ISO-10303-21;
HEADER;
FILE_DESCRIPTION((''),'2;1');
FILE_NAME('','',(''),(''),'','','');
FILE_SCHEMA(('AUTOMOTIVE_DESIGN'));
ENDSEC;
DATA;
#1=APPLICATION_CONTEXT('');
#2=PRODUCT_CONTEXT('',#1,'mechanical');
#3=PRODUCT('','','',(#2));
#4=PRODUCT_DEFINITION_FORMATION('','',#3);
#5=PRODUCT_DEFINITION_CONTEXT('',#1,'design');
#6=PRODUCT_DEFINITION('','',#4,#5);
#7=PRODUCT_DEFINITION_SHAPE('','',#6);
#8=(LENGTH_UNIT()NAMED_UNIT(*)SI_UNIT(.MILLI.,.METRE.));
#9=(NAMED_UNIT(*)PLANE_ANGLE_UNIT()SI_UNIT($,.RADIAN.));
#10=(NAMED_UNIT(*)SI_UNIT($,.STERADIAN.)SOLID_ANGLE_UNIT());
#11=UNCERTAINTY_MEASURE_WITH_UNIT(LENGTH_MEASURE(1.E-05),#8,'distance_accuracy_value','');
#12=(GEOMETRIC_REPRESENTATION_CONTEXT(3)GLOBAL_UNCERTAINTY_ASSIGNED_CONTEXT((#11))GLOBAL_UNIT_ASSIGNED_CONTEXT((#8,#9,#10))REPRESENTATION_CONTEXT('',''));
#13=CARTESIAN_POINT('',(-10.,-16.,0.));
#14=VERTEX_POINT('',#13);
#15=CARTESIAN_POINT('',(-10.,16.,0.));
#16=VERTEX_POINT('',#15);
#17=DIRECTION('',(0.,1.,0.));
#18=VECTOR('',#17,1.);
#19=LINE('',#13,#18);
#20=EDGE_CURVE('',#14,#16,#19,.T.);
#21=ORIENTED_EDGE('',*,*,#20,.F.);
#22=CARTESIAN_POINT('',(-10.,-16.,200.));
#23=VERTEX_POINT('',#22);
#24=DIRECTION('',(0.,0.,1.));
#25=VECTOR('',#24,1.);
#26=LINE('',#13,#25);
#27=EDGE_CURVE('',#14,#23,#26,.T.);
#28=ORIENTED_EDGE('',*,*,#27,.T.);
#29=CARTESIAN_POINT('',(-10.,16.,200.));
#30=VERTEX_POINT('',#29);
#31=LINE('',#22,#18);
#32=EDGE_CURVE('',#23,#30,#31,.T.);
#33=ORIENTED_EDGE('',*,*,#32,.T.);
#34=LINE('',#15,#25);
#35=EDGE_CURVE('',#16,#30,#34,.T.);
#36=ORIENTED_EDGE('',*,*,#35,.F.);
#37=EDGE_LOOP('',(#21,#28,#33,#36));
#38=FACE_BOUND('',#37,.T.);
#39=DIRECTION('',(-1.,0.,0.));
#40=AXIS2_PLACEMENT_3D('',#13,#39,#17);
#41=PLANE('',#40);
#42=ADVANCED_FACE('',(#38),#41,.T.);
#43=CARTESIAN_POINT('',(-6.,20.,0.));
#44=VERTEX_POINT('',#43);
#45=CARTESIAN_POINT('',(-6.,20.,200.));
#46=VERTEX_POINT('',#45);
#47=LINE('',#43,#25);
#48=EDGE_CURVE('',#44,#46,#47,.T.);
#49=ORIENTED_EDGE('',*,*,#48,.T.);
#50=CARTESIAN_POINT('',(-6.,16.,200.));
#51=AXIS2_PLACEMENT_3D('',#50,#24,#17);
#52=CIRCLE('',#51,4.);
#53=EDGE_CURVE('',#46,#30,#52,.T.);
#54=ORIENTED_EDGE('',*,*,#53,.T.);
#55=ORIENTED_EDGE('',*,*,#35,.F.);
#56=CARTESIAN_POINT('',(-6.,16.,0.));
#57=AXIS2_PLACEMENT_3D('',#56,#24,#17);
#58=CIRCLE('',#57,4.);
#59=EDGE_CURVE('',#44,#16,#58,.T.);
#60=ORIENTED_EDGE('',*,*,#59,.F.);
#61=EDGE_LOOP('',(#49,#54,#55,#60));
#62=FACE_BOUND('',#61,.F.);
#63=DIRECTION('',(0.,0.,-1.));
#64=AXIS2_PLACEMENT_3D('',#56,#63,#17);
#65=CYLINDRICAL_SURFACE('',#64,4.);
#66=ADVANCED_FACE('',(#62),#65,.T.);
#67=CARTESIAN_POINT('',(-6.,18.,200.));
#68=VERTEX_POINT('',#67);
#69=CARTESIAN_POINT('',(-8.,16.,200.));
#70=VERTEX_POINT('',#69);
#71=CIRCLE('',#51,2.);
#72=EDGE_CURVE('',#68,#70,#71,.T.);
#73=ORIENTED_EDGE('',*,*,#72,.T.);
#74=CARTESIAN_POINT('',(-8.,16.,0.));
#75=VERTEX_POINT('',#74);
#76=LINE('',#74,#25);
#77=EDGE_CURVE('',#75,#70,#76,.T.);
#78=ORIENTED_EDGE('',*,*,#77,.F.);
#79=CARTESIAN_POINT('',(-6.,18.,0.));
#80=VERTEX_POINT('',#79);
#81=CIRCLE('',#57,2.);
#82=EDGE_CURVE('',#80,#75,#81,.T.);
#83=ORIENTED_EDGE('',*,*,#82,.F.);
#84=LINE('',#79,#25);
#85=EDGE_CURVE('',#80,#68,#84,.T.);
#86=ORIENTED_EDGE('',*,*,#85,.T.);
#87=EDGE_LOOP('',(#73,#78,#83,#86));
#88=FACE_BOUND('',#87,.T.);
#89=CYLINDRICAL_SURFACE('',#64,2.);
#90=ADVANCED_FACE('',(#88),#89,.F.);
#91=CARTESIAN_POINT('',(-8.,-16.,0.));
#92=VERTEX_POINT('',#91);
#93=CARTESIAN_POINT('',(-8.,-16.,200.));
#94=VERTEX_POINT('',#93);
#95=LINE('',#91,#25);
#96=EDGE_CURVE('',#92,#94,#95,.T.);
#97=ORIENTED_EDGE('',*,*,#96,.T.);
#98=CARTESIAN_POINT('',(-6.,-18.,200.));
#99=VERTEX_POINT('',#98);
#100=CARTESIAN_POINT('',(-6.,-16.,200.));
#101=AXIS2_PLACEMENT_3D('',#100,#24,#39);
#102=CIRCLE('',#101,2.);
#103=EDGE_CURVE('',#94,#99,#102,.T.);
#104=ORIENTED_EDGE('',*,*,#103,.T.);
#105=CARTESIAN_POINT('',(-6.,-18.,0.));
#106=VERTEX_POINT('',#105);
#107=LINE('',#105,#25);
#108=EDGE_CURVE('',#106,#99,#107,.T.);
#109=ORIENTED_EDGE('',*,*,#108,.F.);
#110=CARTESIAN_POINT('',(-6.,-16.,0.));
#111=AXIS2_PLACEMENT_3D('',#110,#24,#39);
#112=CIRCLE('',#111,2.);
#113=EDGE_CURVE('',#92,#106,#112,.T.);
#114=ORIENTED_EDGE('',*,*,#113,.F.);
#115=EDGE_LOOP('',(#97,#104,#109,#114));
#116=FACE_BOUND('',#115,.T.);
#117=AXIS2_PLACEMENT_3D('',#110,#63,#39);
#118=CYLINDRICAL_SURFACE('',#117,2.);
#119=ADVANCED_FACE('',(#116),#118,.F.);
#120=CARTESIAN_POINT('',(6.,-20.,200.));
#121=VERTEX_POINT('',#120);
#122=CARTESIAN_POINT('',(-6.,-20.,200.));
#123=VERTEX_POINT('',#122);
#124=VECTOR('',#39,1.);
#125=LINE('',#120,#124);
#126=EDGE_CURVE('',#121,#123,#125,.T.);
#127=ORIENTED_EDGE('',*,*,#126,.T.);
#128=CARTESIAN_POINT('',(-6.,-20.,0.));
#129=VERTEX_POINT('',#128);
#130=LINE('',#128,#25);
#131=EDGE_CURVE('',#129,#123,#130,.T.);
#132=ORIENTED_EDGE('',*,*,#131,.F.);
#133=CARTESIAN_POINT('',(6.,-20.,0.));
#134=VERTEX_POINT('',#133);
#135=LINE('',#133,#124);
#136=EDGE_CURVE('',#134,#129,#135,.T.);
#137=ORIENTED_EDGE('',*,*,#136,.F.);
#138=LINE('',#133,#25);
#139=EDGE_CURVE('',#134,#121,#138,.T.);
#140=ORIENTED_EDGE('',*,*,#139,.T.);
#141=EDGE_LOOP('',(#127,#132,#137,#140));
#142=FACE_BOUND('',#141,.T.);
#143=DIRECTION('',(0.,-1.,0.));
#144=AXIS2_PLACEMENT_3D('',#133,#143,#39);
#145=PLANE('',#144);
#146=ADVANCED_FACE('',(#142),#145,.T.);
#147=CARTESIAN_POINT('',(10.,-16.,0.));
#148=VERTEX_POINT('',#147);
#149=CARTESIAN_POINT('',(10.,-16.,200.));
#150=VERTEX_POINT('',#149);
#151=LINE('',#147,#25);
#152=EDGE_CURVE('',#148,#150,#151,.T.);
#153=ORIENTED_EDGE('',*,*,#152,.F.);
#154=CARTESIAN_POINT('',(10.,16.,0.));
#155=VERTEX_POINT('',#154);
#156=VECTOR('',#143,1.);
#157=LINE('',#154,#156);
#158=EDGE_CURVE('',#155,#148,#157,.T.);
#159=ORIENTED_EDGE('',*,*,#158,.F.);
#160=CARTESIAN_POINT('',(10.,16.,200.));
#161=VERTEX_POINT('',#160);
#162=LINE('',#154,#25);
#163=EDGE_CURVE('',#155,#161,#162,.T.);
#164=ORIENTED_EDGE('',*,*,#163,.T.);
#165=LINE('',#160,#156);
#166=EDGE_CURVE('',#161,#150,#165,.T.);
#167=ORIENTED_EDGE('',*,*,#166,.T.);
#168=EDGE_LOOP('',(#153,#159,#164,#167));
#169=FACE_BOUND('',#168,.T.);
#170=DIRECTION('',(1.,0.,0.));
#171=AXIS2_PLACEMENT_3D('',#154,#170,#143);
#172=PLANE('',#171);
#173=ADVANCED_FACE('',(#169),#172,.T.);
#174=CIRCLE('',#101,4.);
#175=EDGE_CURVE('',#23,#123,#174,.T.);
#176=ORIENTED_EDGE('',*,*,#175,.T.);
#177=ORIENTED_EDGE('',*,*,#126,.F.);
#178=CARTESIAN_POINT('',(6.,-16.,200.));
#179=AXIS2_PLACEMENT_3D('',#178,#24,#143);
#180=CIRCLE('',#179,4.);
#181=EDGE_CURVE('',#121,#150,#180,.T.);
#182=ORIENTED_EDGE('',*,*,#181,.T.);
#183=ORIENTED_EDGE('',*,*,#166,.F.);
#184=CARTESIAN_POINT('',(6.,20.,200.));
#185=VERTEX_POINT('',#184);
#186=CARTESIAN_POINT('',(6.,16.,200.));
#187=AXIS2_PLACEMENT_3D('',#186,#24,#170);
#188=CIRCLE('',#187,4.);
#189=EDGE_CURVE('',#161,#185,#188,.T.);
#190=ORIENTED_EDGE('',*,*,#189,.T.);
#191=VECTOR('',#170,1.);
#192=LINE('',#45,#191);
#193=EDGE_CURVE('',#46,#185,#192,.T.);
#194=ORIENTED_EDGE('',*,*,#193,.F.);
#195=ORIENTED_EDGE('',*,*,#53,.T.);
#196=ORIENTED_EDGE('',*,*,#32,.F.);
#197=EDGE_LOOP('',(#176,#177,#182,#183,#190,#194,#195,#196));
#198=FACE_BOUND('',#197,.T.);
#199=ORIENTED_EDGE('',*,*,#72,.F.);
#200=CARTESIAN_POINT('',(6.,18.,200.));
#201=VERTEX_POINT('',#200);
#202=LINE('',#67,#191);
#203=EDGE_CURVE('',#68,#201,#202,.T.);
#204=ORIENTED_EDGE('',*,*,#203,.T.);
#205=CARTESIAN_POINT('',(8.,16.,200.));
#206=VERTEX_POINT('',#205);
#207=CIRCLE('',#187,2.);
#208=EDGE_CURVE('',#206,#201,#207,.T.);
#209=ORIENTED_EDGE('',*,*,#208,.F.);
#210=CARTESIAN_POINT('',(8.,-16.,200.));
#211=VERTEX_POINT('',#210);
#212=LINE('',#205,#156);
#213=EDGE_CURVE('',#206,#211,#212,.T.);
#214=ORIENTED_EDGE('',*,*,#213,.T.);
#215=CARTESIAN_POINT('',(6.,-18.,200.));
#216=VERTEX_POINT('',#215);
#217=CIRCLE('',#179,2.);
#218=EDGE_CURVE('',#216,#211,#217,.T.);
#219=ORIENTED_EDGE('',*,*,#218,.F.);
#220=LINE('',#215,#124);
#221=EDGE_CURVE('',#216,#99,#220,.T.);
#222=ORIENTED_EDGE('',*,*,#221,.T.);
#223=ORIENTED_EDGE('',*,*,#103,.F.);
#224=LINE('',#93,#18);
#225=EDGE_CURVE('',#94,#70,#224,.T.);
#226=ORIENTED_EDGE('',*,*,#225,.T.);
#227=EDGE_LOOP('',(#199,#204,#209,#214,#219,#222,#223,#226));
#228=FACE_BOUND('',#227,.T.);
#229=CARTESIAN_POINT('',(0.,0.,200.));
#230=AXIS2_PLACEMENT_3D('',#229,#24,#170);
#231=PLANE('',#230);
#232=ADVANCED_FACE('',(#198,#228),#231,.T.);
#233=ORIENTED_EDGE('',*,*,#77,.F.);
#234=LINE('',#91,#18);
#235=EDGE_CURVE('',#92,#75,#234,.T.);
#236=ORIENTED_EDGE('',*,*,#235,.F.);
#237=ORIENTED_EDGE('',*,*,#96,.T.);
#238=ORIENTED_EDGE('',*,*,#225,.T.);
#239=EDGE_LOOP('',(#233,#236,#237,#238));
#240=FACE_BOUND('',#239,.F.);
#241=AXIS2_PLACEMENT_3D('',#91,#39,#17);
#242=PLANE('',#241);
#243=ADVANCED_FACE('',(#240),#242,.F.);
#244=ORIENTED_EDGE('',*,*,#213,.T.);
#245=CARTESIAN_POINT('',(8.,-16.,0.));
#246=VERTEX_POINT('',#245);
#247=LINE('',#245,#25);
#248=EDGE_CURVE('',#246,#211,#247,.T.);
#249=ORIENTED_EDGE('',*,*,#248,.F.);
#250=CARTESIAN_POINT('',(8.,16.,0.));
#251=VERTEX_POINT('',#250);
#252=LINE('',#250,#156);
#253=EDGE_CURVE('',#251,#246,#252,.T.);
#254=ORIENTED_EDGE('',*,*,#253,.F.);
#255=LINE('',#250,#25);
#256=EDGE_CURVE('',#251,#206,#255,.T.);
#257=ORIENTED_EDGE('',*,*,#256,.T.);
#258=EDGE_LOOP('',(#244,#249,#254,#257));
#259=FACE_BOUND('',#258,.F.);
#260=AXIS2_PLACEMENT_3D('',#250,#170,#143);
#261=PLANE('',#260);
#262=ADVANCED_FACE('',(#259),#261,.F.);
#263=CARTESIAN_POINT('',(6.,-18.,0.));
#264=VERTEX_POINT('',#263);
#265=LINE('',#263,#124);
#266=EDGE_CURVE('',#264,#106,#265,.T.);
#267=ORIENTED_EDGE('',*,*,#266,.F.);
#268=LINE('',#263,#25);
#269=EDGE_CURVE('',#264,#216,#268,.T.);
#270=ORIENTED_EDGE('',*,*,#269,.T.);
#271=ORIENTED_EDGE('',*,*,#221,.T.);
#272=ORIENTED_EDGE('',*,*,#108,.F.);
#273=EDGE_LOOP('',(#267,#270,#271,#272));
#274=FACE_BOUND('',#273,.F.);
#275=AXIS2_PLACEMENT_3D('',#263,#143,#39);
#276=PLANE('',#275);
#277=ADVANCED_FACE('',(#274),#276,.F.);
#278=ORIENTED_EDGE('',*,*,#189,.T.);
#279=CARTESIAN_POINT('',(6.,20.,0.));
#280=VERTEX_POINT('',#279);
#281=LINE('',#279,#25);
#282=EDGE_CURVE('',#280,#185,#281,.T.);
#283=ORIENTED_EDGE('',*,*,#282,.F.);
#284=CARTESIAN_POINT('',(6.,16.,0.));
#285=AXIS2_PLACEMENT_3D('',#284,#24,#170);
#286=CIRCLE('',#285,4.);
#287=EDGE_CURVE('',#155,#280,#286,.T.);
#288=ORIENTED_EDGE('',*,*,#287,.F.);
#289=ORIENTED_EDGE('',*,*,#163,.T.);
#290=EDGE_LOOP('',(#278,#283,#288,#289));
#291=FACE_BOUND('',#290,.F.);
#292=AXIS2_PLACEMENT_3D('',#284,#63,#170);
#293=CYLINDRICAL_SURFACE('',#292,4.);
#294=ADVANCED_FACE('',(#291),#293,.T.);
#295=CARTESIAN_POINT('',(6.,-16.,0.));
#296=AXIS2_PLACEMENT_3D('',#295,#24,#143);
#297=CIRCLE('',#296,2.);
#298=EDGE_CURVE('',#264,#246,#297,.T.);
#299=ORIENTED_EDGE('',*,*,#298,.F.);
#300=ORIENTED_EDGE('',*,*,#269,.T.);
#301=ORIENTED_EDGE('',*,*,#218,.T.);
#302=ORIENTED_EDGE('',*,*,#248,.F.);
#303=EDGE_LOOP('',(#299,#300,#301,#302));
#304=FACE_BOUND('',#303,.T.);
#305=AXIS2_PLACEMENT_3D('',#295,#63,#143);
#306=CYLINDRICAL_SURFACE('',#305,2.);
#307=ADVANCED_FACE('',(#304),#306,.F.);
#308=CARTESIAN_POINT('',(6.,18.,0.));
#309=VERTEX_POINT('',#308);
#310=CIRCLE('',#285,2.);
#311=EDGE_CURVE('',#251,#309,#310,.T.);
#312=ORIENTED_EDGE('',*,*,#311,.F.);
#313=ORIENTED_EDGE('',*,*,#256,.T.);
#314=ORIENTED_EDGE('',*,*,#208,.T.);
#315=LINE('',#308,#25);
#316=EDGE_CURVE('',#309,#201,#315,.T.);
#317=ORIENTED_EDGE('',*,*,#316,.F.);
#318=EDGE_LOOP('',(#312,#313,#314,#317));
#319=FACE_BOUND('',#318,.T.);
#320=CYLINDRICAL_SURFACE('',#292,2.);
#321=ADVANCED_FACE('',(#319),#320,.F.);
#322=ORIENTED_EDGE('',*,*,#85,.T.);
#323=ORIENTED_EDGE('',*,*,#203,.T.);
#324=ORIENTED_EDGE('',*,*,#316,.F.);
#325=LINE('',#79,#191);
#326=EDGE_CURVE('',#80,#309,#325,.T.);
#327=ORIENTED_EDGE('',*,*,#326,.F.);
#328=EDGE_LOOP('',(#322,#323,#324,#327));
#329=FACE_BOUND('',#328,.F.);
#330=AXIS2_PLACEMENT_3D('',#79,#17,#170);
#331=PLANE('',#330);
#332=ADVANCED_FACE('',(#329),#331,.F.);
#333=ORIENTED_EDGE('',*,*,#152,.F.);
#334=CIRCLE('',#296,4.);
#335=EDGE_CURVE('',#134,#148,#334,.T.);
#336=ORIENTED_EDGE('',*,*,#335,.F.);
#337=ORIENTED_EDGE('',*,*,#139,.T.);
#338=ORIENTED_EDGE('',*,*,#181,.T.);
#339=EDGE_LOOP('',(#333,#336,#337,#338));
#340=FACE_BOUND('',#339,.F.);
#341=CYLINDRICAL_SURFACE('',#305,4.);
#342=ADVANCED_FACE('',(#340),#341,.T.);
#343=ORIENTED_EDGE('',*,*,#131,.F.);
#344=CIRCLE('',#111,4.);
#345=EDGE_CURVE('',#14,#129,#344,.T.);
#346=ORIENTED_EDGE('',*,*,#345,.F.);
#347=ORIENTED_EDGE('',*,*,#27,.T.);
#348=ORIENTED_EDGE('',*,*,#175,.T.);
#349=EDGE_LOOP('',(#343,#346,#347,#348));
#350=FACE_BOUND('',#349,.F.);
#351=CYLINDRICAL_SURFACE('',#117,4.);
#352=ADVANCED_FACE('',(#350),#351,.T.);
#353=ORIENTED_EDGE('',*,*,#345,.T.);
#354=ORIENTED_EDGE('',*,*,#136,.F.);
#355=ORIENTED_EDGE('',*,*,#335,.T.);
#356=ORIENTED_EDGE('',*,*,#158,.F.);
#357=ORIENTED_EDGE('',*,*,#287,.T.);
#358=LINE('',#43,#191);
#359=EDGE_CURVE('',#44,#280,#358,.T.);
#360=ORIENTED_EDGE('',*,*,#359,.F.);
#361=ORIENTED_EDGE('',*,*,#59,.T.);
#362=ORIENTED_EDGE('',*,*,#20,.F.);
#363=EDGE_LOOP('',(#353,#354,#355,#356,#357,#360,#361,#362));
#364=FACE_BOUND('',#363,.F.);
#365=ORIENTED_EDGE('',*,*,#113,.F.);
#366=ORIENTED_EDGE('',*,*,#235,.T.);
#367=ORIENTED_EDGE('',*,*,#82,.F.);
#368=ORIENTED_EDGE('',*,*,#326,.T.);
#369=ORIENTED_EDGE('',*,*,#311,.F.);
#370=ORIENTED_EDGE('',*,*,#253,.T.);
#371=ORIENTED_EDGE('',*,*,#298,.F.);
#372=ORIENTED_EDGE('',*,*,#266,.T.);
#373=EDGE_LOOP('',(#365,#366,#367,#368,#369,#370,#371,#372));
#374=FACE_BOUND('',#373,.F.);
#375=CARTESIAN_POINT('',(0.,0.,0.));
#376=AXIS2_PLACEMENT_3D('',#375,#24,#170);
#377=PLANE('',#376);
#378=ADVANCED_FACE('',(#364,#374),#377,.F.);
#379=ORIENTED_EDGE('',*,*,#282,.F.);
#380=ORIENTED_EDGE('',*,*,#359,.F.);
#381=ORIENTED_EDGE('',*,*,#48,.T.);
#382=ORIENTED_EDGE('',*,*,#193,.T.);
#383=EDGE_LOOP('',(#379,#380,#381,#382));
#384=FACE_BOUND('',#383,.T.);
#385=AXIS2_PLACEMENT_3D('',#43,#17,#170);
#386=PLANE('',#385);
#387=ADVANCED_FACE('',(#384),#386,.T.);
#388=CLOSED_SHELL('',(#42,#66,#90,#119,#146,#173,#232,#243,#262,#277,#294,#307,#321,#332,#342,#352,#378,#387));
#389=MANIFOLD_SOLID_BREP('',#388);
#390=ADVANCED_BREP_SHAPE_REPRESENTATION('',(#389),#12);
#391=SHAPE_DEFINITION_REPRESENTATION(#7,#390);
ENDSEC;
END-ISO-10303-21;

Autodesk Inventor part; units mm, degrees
ref_plane "YZ Plane" through (0, 0, 0) normal (1, 0, 0) x (0, 1, 0)
ref_plane "Start Plane" through (0, 0, 0) normal (0, 0, 1) x (1, 0, 0)
ref_plane "End Plane" through (0, 0, 200) normal (0, 0, 1) x (1, 0, 0)
sketch "Sketch" plane through (0, 0, 0) normal (0, 0, 1) x (1, 0, 0)
  line L0 (-10, -16) -> (-10, 16)
  line L1 (-6, 20) -> (6, 20)
  line L2 (10, 16) -> (10, -16)
  line L3 (6, -20) -> (-6, -20)
  arc A0 (-10, -16) -> (-6, -20) centre (-6, -16) ccw
  arc A1 (10, 16) -> (6, 20) centre (6, 16) ccw
  arc A2 (-6, 20) -> (-10, 16) centre (-6, 16) ccw
  arc A3 (6, -20) -> (10, -16) centre (6, -16) ccw
  arc A4 (-6, 18) -> (-8, 16) centre (-6, 16) ccw
  line L4 (-6, 18) -> (6, 18)
  arc A5 (8, 16) -> (6, 18) centre (6, 16) ccw
  line L5 (8, 16) -> (8, -16)
  arc A6 (6, -18) -> (8, -16) centre (6, -16) ccw
  line L6 (6, -18) -> (-6, -18)
  arc A7 (-8, -16) -> (-6, -18) centre (-6, -16) ccw
  line L7 (-8, -16) -> (-8, 16)
  line L8 (0, 29.1598) -> (0, -29.1598) construction
  line L9 (-15.1598, 0) -> (15.1598, 0) construction
  dimension "d7" = 4
  dimension "d9" = 20
  dimension "d11" = 40
  dimension "d12" = 2
  dimension "d15" = 10
  dimension "d16" = 20
extrude "Body" add sketch "Sketch" along normal up to surface (200 mm away) from surface at 0
sketch "Sketch3" plane through (0, 0, 0) normal (0, 0, 1) x (1, 0, 0)
  line L0 (0, 0) -> (10, 0)
ref_plane "Work Plane3" through (0, 0, 0) normal (0, -1, 0) x (1, 0, 0)
sketch "Sketch4" plane through (0, 0, 0) normal (0, -1, 0) x (1, 0, 0)
  line L0 (-2, 0) -> (12, 0) projected
  line L1 (-2, 200) -> (12, 200) projected
  dimension "d18" = 200
equation "\"d7\" = G_IR"
equation "\"d9\" = G_W"
equation "\"d11\" = G_H"
equation "\"d12\" = G_T"
equation "\"d15\" = 0.5 * d9"
equation "\"d16\" = 0.5 * d11"
equation "\"d3\" = G_L"
equation "\"G_W\" = 20"
equation "\"G_H\" = 40"
equation "\"G_T\" = 2"
equation "\"G_IR\" = 4"
equation "\"G_L\" = d18"
equation "\"G_OFFSET_START\" = 0"
equation "\"G_OFFSET_END\" = 0"
properties part number "ISO 4019 - 40x20x2 - 200" material "Steel, Mild"
